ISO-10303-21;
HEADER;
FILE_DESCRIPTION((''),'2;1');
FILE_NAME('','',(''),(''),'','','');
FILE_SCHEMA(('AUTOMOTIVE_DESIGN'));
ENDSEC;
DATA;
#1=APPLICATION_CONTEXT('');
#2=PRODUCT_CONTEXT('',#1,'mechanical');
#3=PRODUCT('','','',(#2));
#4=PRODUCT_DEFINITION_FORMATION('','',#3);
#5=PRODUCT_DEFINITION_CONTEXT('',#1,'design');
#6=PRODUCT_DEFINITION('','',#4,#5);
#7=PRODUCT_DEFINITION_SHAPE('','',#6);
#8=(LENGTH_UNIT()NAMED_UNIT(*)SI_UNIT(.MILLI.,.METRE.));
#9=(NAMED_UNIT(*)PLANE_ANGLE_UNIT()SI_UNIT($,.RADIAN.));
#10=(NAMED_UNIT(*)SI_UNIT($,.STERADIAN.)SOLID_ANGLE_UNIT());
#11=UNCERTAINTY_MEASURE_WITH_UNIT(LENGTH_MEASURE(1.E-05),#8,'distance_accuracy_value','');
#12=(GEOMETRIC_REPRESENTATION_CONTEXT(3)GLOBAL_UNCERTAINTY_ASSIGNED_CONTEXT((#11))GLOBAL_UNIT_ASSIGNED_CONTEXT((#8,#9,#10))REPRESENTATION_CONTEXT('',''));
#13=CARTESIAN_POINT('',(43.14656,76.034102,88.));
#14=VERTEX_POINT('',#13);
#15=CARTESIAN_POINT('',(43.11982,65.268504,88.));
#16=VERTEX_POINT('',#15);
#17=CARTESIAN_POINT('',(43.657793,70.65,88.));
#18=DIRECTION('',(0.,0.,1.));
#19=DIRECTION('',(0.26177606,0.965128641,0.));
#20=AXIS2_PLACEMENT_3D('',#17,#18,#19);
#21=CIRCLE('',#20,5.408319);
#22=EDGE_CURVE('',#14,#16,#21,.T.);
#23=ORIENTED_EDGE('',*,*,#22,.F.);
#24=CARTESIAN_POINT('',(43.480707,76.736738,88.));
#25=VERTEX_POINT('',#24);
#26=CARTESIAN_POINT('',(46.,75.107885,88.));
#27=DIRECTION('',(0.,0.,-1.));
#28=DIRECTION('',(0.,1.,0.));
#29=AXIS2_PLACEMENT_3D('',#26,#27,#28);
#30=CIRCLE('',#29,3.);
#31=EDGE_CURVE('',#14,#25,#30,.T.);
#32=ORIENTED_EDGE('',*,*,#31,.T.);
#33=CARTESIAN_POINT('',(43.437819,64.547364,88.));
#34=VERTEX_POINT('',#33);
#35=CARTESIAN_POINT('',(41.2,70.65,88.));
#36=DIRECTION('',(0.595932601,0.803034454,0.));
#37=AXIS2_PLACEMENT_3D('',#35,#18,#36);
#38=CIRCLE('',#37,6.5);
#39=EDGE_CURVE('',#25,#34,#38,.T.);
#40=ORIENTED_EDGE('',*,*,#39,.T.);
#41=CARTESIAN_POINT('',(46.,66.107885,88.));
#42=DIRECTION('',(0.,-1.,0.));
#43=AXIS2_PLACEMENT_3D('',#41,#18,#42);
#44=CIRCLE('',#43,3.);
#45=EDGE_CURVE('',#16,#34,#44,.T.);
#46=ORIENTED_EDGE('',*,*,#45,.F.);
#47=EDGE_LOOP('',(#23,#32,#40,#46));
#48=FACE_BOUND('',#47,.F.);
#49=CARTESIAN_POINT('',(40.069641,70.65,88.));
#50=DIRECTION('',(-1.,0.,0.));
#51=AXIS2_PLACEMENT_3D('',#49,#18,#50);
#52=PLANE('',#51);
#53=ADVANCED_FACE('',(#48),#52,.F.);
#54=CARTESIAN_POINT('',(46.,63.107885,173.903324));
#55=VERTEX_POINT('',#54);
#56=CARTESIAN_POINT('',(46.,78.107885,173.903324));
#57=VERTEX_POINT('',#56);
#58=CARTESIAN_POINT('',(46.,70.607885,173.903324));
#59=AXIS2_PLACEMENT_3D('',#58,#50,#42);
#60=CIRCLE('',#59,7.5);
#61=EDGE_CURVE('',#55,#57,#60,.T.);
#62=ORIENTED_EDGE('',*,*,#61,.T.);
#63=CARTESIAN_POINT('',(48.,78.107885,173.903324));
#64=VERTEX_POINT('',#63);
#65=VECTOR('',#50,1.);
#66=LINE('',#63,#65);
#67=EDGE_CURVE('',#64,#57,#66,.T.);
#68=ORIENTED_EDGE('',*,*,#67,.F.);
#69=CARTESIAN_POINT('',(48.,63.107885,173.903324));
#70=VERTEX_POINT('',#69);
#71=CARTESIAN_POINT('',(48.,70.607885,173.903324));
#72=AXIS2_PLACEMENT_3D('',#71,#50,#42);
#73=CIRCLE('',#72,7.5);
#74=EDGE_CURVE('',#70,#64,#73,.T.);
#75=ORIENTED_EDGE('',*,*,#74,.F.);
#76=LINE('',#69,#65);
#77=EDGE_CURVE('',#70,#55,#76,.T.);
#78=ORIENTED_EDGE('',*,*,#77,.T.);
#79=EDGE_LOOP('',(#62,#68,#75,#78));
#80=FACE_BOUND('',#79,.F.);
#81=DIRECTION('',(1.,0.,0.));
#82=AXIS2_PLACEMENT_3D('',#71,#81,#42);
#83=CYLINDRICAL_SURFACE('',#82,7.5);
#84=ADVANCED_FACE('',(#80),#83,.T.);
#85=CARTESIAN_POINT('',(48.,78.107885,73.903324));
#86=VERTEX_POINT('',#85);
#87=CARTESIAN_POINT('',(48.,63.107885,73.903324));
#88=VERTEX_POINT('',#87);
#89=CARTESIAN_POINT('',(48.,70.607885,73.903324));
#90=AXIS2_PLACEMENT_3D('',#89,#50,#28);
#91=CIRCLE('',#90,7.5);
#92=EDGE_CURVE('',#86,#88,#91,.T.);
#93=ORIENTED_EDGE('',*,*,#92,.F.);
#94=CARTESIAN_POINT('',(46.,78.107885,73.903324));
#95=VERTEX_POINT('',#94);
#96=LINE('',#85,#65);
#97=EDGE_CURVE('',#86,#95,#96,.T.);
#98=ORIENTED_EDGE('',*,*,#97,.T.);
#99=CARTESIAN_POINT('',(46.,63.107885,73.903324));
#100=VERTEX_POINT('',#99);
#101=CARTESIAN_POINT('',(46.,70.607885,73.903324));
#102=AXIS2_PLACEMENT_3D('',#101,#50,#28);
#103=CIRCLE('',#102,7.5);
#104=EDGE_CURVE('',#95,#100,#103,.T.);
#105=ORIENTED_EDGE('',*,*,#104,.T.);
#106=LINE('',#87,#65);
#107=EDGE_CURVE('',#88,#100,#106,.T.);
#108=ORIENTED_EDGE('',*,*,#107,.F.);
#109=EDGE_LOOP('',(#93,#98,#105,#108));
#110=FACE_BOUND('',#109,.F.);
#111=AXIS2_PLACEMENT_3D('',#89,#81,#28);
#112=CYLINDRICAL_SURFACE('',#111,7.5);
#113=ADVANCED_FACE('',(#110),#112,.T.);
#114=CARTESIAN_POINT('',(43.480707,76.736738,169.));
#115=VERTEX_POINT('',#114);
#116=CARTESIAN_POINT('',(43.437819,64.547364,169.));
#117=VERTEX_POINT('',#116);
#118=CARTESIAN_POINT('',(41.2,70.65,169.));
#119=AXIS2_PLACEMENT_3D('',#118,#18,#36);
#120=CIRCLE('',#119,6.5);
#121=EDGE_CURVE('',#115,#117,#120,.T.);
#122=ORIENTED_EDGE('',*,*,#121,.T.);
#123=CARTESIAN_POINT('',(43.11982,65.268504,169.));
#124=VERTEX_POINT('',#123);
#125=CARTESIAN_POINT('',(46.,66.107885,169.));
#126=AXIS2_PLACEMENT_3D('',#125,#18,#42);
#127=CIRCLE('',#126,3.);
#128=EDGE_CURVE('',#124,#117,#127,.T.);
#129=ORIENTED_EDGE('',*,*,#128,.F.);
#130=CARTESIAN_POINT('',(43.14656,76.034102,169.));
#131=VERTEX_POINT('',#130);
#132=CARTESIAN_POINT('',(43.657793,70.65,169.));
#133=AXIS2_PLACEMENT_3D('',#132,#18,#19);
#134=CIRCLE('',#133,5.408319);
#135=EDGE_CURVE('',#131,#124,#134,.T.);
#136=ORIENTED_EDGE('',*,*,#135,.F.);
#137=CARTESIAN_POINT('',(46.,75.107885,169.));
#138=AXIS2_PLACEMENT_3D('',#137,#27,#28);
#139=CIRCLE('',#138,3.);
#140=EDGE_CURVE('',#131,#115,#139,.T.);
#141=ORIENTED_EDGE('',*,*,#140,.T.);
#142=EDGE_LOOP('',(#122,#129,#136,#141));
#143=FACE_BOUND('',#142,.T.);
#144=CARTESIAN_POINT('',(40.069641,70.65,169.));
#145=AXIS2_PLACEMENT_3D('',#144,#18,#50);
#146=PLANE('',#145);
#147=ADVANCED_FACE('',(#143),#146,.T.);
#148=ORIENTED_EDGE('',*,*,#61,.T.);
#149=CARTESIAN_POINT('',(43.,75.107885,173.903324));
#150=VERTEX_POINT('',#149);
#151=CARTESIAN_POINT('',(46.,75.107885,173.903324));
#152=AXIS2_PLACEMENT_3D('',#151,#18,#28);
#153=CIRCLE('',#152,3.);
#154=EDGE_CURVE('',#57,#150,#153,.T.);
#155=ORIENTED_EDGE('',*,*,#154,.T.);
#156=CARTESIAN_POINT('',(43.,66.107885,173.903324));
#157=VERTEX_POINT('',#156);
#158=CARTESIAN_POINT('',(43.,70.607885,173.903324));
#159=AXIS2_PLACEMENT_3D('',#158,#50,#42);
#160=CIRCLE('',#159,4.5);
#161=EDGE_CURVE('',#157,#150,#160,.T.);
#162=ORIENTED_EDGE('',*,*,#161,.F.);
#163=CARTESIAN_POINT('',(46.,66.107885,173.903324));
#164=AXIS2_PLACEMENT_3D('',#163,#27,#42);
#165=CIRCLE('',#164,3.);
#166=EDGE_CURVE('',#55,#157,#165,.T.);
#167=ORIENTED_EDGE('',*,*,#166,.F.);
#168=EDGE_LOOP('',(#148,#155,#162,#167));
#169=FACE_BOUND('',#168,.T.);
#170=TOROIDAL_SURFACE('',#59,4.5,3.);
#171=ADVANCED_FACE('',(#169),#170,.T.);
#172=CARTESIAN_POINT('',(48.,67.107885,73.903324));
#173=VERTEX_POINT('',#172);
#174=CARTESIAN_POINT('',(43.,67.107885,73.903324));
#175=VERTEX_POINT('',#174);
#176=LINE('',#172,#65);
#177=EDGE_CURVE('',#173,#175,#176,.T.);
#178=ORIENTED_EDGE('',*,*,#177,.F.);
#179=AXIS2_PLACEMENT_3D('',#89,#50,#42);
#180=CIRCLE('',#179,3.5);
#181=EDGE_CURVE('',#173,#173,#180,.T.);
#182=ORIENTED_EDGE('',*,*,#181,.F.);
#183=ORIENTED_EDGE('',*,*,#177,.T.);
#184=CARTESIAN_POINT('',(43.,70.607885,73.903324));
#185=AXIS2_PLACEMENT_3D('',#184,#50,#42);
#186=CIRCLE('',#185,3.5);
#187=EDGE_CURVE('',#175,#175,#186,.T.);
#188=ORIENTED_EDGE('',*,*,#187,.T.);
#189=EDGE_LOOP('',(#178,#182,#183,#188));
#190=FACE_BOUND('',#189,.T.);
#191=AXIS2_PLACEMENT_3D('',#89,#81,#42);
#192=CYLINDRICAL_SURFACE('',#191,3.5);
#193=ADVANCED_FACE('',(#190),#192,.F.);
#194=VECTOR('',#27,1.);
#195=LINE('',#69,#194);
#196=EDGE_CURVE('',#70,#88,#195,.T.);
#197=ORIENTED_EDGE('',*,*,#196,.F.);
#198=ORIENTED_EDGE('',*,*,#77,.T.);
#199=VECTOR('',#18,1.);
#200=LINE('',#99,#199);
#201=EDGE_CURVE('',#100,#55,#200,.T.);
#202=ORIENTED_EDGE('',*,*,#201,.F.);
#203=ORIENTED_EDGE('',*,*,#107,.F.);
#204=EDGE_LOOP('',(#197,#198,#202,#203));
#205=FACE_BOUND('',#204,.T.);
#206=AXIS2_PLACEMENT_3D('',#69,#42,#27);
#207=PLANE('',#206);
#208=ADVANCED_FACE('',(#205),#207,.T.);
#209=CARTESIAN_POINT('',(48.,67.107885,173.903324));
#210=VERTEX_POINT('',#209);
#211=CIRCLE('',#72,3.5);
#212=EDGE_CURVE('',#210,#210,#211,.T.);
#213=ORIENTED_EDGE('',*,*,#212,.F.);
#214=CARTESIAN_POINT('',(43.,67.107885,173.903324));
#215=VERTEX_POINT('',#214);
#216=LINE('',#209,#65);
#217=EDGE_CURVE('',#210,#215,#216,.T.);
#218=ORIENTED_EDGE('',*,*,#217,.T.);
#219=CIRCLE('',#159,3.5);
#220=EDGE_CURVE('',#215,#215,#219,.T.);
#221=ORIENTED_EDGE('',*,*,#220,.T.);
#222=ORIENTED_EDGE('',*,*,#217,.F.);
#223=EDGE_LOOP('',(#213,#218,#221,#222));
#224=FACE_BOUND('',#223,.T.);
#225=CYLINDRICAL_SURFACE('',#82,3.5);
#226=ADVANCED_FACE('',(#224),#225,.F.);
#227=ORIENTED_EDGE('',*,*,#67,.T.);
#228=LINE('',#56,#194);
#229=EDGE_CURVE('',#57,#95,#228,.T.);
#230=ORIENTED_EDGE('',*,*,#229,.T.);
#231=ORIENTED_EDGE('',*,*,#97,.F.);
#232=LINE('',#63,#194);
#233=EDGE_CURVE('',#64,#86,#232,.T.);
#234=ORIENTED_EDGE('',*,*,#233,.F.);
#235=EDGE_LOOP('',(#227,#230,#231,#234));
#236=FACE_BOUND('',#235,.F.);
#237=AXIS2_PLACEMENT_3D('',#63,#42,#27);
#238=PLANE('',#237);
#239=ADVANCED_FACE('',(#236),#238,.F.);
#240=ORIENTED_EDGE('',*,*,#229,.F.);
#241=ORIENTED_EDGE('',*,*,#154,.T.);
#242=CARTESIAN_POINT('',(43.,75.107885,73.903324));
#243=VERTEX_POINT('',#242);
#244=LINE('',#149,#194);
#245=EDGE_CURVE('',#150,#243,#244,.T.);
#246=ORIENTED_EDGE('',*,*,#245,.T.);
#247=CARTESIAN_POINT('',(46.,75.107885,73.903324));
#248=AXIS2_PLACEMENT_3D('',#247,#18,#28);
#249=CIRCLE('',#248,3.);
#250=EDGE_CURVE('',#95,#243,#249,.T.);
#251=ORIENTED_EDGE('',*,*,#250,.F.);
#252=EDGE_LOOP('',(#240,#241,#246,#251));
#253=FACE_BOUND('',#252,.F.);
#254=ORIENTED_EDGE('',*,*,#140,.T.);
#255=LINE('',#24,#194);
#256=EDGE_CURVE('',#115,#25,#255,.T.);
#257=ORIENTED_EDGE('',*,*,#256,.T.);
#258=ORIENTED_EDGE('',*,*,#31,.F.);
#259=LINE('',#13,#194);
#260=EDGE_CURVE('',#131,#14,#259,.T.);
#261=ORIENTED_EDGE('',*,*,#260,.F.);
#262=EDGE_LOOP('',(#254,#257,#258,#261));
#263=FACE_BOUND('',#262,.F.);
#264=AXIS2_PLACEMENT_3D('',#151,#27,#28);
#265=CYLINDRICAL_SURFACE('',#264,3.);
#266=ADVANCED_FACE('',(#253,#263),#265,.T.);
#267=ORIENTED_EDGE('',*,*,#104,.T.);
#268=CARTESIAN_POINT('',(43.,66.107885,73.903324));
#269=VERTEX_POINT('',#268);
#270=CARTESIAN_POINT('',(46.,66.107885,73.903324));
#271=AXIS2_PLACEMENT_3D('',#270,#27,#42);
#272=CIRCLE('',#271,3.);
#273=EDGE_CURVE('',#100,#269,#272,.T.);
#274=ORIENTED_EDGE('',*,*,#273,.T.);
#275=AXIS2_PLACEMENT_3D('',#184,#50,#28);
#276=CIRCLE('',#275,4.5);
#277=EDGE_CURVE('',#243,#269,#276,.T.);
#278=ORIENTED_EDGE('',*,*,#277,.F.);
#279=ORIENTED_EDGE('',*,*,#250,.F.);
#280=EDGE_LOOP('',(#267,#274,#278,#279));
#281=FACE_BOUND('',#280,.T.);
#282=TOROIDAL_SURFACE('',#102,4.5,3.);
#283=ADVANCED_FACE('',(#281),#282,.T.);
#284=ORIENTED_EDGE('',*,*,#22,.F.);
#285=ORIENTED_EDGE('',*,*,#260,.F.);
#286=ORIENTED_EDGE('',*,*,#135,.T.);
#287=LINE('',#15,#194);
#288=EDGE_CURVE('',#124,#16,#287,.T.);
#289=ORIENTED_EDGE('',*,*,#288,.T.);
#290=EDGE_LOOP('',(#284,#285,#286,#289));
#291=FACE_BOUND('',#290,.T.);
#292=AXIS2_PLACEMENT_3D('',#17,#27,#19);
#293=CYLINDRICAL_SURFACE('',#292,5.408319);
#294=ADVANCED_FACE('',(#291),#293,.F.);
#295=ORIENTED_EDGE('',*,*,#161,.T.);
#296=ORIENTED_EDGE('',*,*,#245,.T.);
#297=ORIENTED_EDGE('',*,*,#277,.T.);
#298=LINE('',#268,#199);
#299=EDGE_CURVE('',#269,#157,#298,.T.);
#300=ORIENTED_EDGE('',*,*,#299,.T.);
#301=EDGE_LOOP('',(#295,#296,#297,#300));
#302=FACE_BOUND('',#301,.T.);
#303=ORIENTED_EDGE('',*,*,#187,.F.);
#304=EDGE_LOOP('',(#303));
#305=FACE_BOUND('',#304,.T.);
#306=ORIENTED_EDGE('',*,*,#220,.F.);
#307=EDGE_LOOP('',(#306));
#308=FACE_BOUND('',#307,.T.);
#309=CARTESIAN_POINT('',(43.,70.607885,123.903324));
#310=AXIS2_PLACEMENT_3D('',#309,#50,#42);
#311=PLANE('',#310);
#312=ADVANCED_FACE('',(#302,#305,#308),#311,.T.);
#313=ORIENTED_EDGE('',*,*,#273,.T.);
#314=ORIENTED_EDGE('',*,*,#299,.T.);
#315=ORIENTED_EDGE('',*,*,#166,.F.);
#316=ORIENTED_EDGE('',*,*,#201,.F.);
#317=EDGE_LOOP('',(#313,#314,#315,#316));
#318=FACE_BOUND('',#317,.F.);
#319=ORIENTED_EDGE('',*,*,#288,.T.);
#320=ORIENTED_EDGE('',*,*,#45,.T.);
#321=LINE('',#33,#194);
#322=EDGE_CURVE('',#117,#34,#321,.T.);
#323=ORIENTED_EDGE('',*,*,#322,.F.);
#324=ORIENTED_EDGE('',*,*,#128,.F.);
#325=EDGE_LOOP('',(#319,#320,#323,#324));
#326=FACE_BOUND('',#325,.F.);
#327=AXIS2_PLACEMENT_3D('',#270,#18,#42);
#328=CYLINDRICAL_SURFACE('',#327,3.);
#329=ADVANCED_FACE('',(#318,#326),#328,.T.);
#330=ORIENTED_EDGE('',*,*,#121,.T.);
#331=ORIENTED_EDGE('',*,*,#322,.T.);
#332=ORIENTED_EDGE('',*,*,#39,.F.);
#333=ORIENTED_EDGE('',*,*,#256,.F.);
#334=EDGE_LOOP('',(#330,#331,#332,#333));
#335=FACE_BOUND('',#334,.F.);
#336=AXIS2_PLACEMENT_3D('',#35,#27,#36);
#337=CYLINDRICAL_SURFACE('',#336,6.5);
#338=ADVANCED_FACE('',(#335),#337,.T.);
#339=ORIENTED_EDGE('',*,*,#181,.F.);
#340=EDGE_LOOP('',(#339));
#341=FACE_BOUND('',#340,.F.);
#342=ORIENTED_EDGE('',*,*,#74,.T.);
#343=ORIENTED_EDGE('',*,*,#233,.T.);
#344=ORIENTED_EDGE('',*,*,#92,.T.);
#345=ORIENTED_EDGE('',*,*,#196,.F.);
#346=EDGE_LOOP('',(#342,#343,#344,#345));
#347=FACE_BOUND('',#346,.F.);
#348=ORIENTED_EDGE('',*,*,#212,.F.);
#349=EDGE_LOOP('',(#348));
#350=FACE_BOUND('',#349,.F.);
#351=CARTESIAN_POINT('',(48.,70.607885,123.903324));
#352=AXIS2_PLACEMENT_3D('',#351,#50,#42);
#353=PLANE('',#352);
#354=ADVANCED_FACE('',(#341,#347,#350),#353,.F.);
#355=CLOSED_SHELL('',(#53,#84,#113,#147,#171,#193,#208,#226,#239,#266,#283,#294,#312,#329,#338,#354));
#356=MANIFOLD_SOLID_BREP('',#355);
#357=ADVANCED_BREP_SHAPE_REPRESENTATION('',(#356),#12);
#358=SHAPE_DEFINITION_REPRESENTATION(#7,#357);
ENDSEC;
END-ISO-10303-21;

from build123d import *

# Parameters (mm, degrees)
SKETCH002_R                = 3.5
EXTRUDE002_DEPTH           = 5
FILLET002_R                = 3
EXTRUDE025_DEPTH           = 81
EXTRUDE025_ROLL_ANGLE      = -90
EXTRUDE025_PLACEMENT_ANGLE = 180


with BuildPart() as palo_2_hombro:
    # Sketch002 → Extrude002 (new body)
    with BuildSketch(Plane(origin=(0, 0, 0), x_dir=(0, -1, 0), z_dir=(-1, 0, 0))):
        with BuildLine():
            ThreePointArc((-63.107885, 173.903324), (-70.607885, 181.403324), (-78.107885, 173.903324))
            Line((-78.107885, 173.903324), (-78.107885, 73.903324))
            ThreePointArc((-78.107885, 73.903324), (-70.607885, 66.403324), (-63.107885, 73.903324))
            Line((-63.107885, 173.903324), (-63.107885, 73.903324))
        make_face()
        with Locations((-70.607885, 73.903324)):
            Circle(SKETCH002_R, mode=Mode.SUBTRACT)
        with Locations((-70.607885, 173.903324)):
            Circle(SKETCH002_R, mode=Mode.SUBTRACT)
    extrude(amount=EXTRUDE002_DEPTH)


with BuildPart() as palo_2_hombro_1:
    # Extrude002 placement: moved
    add(palo_2_hombro.part.moved(Location((48, 0, 0))))

    # Fillet002
    fillet002_edges = [palo_2_hombro_1.edges().sort_by_distance(p)[0] for p in [
        (43, 78.107885, 123.903324),
    ]]
    fillet(fillet002_edges, radius=FILLET002_R)


with BuildPart() as fusion029:
    # Sketch026 → Extrude025 (new body)
    with BuildSketch(Plane.XZ):
        with BuildLine():
            ThreePointArc((-3.873562, -5.219724), (6.5, 0), (-3.873562, 5.219724))
            ThreePointArc((-3.873562, -5.219724), (2.950526, 0), (-3.873562, 5.219724))
        make_face()
    extrude(amount=EXTRUDE025_DEPTH)


with BuildPart() as fusion029_1:
    # Extrude025 roll: moved
    add(fusion029.part.rotate(Axis((0, 0, 0), (1, 0, 0)), EXTRUDE025_ROLL_ANGLE))


with BuildPart() as fusion029_2:
    # Extrude025 placement: moved
    add(fusion029_1.part.moved(Location((41.2, 70.65, 88))).rotate(Axis((41.2, 70.65, 88), (0, 0, 1)), EXTRUDE025_PLACEMENT_ANGLE))

    # Fusion029: union palo 2 hombro
    add(palo_2_hombro_1.part)


solid = fusion029_2.part
